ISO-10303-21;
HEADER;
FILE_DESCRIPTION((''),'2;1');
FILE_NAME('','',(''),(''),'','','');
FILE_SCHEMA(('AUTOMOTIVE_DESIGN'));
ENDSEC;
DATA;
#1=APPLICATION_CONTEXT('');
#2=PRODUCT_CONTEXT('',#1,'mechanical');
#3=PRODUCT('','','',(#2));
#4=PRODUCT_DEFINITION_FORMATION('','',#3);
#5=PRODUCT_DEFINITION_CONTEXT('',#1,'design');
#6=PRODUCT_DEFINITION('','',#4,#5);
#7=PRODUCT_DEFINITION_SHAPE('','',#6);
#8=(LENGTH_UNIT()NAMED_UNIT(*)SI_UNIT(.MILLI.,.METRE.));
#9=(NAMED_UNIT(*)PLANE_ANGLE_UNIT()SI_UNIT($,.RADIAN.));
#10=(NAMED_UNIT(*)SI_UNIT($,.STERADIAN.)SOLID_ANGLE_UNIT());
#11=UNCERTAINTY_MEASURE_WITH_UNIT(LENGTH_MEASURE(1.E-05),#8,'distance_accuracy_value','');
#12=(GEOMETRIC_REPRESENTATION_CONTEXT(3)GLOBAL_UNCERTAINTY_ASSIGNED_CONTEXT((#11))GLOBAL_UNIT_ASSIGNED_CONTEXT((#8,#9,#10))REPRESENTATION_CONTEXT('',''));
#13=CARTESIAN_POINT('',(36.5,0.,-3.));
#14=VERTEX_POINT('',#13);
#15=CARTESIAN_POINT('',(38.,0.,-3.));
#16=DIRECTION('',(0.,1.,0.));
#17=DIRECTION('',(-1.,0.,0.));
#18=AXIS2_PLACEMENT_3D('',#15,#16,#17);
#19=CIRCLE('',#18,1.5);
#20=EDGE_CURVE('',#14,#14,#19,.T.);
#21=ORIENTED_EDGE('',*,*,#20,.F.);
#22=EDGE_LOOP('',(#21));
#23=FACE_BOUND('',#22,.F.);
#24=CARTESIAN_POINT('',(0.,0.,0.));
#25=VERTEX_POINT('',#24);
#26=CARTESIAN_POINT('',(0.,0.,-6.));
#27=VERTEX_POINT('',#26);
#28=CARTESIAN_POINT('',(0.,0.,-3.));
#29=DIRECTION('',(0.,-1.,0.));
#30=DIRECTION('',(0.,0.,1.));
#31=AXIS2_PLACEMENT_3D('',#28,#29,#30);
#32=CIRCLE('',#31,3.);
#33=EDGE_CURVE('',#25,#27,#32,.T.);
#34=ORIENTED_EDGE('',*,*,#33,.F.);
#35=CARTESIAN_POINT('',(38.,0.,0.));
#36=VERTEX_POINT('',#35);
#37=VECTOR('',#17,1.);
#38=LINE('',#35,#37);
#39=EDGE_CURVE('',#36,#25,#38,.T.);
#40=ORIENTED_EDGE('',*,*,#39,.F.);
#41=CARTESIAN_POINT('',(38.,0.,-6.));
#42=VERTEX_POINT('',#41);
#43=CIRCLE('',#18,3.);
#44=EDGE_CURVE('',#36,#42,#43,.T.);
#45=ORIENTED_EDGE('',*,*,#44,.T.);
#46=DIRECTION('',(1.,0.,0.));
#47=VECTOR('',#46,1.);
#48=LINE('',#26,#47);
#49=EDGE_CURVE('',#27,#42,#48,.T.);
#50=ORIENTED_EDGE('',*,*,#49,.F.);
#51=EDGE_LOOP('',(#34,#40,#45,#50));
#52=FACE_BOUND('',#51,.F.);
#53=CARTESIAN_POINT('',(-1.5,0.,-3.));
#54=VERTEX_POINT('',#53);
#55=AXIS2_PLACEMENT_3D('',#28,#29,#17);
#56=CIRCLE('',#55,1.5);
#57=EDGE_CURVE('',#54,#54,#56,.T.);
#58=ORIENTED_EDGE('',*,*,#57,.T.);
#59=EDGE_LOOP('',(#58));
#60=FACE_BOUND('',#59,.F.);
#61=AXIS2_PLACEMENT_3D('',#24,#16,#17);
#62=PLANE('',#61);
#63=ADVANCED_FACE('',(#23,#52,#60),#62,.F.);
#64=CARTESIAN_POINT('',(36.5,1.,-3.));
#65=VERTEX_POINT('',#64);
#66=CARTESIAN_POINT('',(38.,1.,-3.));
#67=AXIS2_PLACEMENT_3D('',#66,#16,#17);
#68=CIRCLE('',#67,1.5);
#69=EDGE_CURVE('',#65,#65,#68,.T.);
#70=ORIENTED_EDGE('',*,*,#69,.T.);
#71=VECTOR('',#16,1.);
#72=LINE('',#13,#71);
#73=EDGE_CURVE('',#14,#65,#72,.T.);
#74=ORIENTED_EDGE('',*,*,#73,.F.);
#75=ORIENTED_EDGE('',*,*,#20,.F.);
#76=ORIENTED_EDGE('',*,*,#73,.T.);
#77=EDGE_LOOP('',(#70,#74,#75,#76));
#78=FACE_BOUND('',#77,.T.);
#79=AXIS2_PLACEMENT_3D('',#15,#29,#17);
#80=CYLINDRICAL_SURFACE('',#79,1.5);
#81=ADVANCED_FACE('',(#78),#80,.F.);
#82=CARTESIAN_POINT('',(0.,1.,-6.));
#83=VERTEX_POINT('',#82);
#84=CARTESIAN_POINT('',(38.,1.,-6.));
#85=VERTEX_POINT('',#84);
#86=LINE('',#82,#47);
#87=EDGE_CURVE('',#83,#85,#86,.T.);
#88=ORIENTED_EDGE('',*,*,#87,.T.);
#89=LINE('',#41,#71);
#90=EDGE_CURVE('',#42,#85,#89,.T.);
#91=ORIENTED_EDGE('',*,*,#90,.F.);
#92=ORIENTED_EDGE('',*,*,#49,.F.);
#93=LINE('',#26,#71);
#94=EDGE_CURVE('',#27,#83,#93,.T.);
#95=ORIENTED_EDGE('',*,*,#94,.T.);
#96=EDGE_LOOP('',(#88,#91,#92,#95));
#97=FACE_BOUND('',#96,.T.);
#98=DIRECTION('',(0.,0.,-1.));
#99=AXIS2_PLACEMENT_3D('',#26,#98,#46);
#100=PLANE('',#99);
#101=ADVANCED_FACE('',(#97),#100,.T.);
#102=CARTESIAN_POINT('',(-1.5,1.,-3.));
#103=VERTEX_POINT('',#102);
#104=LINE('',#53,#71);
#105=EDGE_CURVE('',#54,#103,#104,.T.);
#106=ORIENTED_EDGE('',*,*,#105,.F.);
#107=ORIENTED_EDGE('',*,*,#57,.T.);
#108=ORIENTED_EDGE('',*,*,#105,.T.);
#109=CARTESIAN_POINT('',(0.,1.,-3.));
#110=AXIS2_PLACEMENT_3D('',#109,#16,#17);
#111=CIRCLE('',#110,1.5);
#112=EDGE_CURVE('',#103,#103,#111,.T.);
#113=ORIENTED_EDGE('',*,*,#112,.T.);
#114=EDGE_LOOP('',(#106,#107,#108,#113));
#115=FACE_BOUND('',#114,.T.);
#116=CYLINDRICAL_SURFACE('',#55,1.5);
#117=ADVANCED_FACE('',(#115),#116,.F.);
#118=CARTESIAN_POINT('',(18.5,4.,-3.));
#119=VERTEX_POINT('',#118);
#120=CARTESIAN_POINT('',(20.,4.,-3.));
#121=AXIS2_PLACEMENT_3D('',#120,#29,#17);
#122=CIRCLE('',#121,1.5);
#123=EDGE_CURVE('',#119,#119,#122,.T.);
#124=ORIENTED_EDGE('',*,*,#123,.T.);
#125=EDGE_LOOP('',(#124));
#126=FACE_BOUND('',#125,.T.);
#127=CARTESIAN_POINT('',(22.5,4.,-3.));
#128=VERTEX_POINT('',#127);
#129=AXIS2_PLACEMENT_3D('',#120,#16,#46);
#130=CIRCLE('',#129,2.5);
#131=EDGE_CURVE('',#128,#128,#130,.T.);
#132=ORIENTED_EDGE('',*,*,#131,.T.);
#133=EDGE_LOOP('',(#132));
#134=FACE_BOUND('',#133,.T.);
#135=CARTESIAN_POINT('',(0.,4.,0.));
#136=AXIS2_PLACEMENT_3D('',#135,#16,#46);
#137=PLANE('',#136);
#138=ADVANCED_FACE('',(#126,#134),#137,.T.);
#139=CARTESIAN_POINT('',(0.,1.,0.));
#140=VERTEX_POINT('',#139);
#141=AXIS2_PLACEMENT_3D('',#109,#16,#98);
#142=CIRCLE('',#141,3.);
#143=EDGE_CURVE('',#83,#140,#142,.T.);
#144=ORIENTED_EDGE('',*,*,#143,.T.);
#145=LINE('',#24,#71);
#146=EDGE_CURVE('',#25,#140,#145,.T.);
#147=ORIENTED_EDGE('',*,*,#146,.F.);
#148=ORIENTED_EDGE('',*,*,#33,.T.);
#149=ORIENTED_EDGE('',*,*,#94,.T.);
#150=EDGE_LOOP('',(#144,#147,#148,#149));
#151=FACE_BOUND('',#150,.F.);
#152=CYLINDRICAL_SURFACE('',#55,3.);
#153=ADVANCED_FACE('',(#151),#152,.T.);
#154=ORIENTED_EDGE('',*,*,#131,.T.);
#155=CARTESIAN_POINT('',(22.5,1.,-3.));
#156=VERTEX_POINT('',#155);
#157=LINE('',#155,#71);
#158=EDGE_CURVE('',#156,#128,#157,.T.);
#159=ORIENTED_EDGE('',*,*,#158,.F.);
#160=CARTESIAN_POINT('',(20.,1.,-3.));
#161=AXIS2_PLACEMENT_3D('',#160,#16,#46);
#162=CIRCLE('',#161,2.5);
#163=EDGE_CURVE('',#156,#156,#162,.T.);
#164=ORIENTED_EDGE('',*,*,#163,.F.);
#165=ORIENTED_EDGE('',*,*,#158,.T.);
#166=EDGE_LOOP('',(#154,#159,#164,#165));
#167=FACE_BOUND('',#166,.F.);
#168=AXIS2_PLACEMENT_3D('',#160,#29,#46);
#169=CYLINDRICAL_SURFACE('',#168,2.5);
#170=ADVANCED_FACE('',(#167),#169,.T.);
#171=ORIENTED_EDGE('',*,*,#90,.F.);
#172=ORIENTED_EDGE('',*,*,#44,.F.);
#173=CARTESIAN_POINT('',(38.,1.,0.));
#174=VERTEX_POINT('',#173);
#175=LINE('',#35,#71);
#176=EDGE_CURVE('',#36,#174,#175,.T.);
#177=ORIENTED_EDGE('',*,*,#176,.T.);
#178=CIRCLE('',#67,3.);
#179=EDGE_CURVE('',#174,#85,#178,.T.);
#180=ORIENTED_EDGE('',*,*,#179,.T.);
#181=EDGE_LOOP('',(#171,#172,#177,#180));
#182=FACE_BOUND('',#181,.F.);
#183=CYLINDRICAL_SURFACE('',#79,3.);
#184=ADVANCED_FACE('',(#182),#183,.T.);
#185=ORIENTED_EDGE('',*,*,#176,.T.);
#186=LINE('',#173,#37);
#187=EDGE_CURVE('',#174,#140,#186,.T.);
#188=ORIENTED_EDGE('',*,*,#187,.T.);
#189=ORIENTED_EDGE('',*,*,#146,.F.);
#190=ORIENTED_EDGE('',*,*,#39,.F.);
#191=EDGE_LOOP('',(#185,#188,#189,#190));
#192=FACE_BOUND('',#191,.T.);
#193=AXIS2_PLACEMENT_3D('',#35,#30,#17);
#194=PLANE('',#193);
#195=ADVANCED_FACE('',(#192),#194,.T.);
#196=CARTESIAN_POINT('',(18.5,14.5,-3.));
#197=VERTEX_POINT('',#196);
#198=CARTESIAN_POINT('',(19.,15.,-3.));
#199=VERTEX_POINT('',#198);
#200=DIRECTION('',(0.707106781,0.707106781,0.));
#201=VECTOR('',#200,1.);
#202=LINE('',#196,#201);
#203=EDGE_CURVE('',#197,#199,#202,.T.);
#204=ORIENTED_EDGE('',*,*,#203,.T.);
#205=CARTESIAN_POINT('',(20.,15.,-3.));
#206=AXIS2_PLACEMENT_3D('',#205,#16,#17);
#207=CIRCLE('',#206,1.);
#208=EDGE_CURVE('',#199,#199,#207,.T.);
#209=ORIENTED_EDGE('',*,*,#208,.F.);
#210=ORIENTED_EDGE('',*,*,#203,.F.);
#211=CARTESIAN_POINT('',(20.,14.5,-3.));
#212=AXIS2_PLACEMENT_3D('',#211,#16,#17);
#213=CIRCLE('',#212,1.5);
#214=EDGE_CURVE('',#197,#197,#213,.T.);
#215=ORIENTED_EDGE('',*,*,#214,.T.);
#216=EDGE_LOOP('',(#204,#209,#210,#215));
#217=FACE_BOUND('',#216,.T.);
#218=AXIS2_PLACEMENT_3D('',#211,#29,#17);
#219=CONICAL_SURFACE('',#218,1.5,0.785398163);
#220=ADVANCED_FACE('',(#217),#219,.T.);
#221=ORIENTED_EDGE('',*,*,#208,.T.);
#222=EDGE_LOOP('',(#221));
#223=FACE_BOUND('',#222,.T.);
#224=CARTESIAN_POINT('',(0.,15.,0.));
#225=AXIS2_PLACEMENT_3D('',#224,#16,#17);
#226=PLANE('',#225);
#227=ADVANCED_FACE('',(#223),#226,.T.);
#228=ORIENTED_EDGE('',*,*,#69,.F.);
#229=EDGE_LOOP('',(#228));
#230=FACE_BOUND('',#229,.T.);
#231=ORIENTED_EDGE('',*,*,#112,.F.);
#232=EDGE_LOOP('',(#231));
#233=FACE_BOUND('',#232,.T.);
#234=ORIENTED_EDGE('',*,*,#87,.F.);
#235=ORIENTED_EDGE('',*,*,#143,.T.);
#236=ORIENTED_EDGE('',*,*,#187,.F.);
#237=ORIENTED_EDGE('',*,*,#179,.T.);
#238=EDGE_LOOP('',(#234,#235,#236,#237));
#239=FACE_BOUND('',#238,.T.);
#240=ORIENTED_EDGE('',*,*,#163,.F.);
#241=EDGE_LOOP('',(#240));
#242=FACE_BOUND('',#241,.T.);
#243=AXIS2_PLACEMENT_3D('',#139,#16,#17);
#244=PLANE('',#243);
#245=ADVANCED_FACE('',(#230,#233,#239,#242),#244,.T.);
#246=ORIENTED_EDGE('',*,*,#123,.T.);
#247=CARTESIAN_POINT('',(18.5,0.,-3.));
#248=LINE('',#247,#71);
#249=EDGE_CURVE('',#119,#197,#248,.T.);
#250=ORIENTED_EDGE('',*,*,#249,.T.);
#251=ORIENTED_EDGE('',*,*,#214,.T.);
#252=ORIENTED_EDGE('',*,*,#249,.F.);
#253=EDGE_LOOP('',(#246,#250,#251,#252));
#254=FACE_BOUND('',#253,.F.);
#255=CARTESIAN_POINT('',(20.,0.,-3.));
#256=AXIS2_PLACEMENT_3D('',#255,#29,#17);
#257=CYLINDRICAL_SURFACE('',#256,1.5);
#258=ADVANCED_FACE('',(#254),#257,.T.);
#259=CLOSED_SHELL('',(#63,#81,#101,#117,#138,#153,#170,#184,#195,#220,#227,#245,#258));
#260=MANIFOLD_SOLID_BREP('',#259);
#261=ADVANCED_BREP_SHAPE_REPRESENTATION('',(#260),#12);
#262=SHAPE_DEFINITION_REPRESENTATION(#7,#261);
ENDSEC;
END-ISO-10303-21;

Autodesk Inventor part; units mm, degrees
ref_plane "YZ Plane" through (0, 0, 0) normal (1, 0, 0) x (0, 1, 0)
ref_plane "XZ Plane" through (0, 0, 0) normal (0, 1, 0) x (-1, 0, 0)
ref_plane "XY Plane" through (0, 0, 0) normal (0, 0, 1) x (1, 0, 0)
sketch "Sketch1" plane through (0, 0, 0) normal (0, 1, 0) x (-1, 0, 0)
  line L0 (0, -6) -> (0, 0)
  circle A0 centre (-20, -3) radius 1.5
  circle A1 centre (-38, -3) radius 1.5
  circle A2 centre (0, -3) radius 1.5
  circle A3 centre (0, -3) radius 3
  circle A4 centre (-38, -3) radius 3
  line L1 (-38, 0) -> (0, 0)
  line L2 (0, -6) -> (-38, -6)
  point P0 (0, -4.5)
  point P1 (0, -1.5)
  dimension "d11" = 3
  dimension "d26" = 3
  dimension "d27" = 3
  dimension "d28" = 6
  dimension "d29" = 6
extrude "Extrusion2" add sketch "Sketch1" along normal blind 15 contours A0
ref_plane "Work Plane1" through (0, 1, 0) normal (0, 1, 0) x (1, 0, 0)
sketch "Sketch2" plane through (0, 1, 0) normal (0, 1, 0) x (1, 0, 0)
  circle A0 centre (20, 3) radius 1.5 projected
  circle A1 centre (20, 3) radius 2.5
  circle A2 centre (20, 3) radius 1.5
  point P0 (0, 0)
  dimension "d14" = 5
extrude "Extrusion3" add sketch "Sketch2" along normal blind 3
chamfer "Chamfer1" distance 0.5 angle 45 1 edges at (21.5, 15, -3)
extrude "Extrusion4" add sketch "Sketch1" along normal blind 1 contours A3 L0 A2 | L2 A4 L1 A3 | L0 A2 A3 | A4
thread "Thread2" size "M3x0.5" class "6g" standard "ANSI Metric M Profile" length 5
properties part number "linkToActuator3"
